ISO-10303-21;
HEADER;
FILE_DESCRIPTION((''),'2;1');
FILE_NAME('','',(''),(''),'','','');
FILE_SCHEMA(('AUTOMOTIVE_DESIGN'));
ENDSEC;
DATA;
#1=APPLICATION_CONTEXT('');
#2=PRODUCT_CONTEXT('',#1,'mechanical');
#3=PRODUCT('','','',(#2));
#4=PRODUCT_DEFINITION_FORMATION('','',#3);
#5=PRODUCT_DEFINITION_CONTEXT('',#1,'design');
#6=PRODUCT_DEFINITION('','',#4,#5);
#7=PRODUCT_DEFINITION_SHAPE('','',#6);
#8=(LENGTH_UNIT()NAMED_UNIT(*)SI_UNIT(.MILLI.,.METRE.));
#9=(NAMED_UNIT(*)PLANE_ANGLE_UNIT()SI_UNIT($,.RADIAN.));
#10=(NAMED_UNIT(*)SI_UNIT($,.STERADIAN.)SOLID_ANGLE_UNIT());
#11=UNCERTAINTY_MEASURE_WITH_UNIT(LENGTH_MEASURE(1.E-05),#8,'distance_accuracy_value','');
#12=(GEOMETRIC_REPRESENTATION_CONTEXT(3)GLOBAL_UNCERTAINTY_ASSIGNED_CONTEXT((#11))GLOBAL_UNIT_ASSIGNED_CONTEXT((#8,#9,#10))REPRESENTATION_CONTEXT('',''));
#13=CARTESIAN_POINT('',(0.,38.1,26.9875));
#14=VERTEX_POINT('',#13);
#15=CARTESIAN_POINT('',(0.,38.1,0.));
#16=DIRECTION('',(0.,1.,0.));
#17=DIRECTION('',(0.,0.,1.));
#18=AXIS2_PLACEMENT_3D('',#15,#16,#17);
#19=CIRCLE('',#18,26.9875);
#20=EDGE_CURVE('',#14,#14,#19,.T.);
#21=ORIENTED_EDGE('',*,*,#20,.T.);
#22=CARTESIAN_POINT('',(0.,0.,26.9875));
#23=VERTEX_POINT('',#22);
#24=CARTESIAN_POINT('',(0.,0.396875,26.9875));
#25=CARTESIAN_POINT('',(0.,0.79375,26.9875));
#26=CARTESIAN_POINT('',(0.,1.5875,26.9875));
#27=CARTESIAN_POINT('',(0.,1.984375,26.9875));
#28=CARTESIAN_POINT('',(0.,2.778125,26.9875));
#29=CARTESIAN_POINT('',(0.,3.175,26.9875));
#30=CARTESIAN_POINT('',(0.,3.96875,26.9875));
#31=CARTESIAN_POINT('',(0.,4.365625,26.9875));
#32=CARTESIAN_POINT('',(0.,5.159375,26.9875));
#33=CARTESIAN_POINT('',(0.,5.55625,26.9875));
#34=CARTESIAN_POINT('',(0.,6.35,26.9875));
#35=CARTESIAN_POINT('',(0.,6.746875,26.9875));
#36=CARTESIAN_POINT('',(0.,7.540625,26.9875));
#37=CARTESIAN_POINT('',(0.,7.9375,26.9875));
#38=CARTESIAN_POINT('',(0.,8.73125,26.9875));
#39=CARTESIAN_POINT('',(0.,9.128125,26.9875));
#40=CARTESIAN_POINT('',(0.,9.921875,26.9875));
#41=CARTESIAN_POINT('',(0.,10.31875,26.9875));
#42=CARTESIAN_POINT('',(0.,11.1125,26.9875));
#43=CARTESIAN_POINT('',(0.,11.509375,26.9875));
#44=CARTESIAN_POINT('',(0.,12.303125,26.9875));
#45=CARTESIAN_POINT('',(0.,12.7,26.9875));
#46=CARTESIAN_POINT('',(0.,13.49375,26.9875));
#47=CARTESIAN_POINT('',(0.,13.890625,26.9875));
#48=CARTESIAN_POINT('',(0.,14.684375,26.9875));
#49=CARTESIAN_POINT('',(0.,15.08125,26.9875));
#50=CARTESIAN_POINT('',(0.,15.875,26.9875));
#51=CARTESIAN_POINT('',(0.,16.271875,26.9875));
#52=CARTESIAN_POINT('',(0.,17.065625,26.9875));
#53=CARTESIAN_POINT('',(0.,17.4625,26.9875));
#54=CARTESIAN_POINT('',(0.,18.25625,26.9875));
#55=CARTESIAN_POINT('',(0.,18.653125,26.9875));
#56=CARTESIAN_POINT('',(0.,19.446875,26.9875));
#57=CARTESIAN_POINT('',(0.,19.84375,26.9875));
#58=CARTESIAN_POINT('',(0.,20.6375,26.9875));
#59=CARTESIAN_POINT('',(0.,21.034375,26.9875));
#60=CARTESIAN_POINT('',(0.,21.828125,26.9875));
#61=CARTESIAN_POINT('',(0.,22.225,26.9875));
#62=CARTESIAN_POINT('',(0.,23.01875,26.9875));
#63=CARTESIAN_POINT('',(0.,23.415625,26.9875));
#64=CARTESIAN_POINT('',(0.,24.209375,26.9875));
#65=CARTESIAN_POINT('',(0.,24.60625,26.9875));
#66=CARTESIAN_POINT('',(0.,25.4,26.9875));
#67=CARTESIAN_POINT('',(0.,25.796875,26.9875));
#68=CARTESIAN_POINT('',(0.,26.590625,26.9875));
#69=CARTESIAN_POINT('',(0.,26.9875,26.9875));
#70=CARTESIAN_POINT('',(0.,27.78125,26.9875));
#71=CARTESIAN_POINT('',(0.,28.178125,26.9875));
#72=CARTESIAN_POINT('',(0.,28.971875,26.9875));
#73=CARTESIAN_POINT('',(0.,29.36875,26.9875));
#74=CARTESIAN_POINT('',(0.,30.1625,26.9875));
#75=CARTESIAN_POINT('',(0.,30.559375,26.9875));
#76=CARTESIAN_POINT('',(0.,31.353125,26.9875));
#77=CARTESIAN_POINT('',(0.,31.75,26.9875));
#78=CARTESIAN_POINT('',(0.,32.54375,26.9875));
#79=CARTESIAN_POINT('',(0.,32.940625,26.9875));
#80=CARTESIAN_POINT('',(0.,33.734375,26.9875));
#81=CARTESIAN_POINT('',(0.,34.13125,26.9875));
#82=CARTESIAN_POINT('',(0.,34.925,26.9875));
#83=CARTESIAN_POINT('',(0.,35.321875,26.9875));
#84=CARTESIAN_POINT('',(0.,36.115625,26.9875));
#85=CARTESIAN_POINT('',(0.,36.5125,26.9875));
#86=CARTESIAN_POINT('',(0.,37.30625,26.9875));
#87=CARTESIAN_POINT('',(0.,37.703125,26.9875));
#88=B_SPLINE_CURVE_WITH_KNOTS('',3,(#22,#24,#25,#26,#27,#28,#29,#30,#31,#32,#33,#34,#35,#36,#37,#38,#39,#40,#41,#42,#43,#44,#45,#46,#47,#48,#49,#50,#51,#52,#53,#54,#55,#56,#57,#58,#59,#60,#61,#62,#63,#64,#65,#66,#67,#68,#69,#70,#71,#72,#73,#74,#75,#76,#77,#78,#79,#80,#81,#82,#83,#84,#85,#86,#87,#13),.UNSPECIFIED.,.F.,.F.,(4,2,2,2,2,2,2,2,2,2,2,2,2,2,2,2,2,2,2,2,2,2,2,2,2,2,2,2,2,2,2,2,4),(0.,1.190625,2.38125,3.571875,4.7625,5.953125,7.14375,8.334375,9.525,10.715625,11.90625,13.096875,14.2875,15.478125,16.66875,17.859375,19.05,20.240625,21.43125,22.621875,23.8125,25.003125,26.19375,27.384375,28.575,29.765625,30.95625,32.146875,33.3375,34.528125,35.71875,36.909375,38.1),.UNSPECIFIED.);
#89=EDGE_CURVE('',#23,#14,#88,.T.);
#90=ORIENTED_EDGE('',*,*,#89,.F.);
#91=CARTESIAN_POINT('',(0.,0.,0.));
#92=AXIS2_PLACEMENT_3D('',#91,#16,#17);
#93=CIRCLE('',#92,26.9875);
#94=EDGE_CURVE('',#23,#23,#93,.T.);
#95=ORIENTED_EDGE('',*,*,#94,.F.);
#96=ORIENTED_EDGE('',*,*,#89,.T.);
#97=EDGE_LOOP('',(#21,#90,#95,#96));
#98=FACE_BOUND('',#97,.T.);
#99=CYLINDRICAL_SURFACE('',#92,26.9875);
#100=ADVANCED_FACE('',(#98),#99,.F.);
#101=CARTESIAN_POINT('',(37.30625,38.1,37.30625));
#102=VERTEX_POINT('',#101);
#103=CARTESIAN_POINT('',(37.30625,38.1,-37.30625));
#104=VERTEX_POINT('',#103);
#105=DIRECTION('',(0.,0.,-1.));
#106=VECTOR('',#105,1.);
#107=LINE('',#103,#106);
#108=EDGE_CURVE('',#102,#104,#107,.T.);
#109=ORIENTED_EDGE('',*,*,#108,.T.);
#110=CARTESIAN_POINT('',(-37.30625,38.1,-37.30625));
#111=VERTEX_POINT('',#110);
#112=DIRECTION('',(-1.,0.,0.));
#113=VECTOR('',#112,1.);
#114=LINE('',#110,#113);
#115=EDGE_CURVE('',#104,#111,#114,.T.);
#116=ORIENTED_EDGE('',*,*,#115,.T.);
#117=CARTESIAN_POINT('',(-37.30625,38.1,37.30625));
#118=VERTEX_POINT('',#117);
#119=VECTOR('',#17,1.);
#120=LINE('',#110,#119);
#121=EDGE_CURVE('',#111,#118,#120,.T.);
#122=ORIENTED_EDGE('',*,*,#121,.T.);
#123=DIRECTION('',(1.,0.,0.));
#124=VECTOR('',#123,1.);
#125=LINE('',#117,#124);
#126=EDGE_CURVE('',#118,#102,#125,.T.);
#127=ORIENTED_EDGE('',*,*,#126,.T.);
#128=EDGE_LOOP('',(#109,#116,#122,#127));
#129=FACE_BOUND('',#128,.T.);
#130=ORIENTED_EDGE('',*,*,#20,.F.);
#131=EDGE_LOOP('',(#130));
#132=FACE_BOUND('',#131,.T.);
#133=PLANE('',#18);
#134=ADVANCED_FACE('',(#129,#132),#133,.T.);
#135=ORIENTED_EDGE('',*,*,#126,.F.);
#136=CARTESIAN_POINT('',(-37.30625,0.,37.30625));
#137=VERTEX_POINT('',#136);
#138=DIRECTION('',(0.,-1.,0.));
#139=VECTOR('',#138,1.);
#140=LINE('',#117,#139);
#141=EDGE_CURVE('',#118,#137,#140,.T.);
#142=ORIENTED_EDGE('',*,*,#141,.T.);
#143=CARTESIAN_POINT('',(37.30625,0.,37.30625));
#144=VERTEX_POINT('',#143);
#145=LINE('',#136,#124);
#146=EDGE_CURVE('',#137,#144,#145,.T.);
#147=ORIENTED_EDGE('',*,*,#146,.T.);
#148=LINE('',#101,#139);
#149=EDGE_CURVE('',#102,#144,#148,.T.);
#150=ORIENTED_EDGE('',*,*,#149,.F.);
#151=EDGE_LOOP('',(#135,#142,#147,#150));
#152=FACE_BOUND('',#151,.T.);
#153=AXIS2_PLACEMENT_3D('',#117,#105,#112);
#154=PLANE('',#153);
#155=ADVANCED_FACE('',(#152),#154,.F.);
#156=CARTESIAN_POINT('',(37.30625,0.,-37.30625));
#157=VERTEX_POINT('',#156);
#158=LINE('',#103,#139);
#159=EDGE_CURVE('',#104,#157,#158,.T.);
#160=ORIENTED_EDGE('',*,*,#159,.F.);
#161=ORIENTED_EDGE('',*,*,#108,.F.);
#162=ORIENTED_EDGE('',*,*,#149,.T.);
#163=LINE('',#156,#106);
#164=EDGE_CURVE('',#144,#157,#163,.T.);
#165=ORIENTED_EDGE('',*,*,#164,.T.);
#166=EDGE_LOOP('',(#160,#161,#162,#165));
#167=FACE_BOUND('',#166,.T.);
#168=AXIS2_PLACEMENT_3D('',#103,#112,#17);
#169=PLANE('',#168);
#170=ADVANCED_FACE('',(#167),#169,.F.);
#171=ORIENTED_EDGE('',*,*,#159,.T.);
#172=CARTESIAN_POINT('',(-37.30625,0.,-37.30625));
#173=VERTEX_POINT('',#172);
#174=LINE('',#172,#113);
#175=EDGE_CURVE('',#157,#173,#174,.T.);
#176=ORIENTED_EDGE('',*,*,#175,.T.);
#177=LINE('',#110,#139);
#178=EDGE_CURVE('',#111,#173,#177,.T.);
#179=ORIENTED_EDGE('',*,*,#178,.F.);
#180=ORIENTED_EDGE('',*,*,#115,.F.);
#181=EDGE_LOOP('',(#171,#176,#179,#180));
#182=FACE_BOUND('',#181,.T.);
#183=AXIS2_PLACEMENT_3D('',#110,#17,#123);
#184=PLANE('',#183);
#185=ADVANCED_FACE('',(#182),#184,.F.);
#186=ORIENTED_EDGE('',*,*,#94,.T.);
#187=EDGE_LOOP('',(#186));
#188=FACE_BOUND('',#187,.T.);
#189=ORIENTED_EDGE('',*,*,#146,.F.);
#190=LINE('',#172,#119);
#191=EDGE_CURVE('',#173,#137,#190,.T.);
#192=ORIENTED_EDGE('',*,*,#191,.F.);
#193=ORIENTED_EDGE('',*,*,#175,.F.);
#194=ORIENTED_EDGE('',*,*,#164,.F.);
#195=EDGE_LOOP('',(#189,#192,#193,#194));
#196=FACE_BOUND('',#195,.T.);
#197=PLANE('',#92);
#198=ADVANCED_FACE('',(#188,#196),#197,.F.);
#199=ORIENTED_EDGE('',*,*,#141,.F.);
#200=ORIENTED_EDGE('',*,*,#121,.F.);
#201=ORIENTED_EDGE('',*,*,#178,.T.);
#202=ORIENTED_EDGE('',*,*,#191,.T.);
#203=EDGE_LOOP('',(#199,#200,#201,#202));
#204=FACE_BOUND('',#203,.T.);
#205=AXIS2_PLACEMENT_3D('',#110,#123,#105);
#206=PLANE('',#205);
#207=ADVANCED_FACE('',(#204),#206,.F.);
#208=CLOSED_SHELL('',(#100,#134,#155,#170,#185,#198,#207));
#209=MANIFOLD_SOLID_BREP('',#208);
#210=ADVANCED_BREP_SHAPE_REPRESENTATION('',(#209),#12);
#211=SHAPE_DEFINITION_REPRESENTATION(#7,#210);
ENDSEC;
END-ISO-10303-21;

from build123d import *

# Parameters (mm, degrees)
SKETCH1_W           = 74.6125
SKETCH1_H           = 74.6125
BOSS_EXTRUDE1_DEPTH = 38.1
SKETCH2_R           = 26.9875
CUT_EXTRUDE1_DEPTH  = 66.077819402


with BuildPart() as part:
    # Sketch1 → Boss-Extrude1 (new body)
    with BuildSketch(Plane(origin=(0, 0, 0), x_dir=(1, 0, 0), z_dir=(0, 1, 0))):
        Rectangle(SKETCH1_W, SKETCH1_H)
    extrude(amount=BOSS_EXTRUDE1_DEPTH)

    # Sketch2 → Cut-Extrude1 (cut, through all)
    with BuildSketch(Plane(origin=(0, 38.1, 0), x_dir=(1, 0, 0), z_dir=(0, 1, 0))):
        with Locations(Location((0, 0, 0), (0, 0, 270))):
            Circle(SKETCH2_R)
    extrude(amount=-CUT_EXTRUDE1_DEPTH, mode=Mode.SUBTRACT)


solid = part.part
